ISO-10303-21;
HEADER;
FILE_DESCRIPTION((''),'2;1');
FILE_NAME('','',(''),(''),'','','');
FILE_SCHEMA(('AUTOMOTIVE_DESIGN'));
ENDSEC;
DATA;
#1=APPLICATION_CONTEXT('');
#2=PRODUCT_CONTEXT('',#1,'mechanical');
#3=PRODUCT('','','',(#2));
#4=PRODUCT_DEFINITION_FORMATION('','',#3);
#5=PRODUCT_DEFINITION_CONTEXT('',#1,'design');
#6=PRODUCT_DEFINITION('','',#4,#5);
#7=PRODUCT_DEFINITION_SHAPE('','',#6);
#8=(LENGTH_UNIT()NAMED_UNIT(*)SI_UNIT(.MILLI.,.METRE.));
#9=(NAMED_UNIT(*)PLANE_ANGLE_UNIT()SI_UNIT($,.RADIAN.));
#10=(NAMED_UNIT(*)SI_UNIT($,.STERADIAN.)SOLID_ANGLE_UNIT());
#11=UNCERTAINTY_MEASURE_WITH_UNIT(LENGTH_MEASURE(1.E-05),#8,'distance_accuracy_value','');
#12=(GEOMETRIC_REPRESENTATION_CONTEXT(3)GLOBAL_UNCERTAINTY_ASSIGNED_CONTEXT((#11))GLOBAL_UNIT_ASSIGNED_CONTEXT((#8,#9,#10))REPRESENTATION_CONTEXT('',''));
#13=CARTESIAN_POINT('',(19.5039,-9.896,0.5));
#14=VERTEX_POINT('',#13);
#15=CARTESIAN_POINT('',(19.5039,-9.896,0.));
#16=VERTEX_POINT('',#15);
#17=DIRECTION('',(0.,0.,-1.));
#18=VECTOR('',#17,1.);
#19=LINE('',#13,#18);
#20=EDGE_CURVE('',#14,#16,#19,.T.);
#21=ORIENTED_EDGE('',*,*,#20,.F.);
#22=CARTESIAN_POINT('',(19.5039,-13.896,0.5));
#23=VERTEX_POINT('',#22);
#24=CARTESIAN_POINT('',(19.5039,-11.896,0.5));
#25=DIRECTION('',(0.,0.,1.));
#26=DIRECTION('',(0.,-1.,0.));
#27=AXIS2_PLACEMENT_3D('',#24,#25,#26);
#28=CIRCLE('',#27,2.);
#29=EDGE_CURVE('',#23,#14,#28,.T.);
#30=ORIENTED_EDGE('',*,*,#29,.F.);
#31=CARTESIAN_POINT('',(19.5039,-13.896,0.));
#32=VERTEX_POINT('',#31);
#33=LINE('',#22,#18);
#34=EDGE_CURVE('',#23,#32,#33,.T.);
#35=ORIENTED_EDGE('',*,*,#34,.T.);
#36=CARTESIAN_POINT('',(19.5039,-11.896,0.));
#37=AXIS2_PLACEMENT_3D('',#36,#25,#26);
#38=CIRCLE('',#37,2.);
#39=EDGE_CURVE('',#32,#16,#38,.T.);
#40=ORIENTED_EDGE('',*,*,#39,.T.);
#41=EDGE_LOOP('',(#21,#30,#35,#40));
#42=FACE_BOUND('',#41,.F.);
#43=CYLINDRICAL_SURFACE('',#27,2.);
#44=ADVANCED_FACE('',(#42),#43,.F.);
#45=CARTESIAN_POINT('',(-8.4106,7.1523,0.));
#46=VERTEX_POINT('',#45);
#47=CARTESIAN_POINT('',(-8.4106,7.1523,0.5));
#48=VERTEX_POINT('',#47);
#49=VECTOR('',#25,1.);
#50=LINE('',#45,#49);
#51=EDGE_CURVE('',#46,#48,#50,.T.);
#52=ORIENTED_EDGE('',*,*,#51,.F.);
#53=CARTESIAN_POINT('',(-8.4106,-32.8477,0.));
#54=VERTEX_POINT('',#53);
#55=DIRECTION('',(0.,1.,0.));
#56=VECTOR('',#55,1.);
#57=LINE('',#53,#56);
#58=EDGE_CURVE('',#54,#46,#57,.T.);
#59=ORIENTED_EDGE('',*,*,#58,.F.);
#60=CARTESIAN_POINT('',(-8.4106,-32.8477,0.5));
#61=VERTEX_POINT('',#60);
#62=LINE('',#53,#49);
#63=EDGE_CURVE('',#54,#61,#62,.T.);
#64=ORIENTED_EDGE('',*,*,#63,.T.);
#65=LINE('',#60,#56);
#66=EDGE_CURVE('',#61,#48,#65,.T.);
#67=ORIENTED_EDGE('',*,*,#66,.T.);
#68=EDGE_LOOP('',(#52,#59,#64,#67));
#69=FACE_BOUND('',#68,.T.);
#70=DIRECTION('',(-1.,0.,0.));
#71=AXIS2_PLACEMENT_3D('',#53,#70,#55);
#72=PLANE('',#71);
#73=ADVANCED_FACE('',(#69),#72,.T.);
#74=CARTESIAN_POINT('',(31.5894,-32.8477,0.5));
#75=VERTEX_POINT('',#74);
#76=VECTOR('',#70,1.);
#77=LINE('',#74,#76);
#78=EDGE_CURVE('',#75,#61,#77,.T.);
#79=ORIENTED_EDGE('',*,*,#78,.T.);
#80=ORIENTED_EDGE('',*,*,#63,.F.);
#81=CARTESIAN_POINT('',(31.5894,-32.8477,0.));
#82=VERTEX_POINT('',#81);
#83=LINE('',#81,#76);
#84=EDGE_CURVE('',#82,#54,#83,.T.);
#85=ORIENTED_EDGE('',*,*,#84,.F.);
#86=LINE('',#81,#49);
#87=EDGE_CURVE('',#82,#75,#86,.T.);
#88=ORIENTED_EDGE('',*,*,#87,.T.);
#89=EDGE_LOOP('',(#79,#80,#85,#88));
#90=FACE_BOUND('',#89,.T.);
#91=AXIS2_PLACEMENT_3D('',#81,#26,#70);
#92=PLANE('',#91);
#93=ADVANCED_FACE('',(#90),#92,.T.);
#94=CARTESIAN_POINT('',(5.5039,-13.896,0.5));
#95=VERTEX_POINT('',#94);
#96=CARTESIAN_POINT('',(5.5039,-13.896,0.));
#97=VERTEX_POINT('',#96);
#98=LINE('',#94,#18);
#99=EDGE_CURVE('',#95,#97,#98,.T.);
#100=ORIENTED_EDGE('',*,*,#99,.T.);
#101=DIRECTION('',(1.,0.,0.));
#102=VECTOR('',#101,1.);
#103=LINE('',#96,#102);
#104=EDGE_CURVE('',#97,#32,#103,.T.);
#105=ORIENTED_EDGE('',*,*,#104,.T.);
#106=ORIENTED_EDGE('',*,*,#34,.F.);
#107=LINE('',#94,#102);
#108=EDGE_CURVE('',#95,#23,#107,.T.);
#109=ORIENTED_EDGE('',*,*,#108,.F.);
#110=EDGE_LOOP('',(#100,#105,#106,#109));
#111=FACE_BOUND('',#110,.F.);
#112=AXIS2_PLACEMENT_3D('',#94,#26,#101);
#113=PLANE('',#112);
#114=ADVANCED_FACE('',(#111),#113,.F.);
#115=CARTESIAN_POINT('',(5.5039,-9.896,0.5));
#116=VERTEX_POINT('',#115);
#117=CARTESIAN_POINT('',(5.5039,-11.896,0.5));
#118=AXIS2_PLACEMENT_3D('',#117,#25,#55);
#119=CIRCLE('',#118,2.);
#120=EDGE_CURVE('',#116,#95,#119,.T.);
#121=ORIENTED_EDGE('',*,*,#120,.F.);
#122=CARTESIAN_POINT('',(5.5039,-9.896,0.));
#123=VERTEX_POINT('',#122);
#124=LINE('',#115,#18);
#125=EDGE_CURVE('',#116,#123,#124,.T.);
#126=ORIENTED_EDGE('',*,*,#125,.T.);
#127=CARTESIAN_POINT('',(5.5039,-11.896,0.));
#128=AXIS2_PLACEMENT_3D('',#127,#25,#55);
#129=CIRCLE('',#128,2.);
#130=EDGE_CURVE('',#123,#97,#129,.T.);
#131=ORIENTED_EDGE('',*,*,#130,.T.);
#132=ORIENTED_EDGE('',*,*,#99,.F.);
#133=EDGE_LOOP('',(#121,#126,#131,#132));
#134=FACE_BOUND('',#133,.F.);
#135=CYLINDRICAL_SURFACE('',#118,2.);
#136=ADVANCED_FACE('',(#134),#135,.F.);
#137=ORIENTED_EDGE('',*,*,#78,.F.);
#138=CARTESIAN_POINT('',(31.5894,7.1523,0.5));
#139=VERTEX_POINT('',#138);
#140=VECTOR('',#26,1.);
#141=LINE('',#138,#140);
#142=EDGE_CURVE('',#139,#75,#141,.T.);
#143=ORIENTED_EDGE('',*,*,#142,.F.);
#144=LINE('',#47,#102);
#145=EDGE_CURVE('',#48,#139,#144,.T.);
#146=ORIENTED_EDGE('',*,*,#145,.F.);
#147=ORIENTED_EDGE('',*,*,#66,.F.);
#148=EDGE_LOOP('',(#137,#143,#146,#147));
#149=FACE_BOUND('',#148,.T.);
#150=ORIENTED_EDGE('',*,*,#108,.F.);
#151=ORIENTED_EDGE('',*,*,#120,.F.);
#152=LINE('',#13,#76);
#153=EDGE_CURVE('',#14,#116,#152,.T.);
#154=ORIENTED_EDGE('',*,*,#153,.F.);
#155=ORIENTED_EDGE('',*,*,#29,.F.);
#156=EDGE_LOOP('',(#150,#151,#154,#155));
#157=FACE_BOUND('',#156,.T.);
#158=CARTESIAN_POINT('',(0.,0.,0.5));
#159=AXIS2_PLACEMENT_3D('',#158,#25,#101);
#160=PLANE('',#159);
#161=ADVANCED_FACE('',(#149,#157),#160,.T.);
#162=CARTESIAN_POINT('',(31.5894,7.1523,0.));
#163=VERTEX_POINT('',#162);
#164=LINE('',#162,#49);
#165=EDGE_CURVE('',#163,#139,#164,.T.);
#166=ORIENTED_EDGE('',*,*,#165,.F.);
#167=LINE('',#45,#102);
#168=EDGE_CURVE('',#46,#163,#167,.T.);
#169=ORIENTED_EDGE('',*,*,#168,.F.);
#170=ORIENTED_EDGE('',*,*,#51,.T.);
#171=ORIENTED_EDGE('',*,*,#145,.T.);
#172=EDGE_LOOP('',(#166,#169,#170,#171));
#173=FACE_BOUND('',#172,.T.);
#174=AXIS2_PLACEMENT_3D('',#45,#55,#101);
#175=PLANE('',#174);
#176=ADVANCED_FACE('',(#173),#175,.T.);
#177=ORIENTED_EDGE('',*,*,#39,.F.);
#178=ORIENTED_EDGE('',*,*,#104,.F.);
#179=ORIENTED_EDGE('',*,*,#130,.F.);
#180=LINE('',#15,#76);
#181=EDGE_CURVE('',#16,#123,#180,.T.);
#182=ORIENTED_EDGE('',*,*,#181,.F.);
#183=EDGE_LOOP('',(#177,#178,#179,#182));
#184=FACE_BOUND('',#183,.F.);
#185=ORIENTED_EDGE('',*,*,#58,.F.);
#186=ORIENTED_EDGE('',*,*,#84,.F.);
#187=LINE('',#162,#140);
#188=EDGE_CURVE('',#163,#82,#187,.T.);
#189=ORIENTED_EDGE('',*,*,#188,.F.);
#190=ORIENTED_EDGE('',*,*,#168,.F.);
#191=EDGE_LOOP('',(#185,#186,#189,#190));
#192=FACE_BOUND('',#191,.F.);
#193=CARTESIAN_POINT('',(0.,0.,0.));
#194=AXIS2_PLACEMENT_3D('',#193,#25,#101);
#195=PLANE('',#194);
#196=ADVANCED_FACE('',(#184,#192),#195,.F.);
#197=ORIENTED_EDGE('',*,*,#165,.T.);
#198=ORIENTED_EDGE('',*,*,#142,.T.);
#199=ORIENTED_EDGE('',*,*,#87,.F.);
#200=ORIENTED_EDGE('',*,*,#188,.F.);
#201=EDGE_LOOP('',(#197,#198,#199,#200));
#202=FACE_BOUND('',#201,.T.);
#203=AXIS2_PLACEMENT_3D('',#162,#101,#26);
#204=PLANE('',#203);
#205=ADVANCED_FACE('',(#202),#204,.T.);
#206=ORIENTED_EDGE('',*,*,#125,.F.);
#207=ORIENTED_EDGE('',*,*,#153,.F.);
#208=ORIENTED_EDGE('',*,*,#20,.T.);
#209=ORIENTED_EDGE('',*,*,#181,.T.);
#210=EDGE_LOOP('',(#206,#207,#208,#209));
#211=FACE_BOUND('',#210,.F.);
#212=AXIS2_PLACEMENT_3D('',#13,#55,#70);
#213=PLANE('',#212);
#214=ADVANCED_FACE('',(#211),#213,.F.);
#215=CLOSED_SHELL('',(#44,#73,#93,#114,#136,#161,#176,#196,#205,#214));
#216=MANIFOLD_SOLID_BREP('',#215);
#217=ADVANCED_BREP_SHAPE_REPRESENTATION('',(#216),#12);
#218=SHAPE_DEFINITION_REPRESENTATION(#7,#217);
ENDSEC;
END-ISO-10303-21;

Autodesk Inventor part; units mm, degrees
ref_plane "YZ Plane" through (0, 0, 0) normal (1, 0, 0) x (0, 1, 0)
ref_plane "XZ Plane" through (0, 0, 0) normal (0, 1, 0) x (-1, 0, 0)
ref_plane "XY Plane" through (0, 0, 0) normal (0, 0, 1) x (1, 0, 0)
sketch "Sketch1" plane through (0, 0, 0) normal (0, 0, 1) x (1, 0, 0)
  line L0 (-8.4106, 7.1523) -> (31.5894, 7.1523)
  line L1 (31.5894, 7.1523) -> (31.5894, -32.8477)
  line L2 (31.5894, -32.8477) -> (-8.4106, -32.8477)
  line L3 (-8.4106, -32.8477) -> (-8.4106, 7.1523)
  point P0 (0, 0)
  dimension "d0" = 40
  dimension "d1" = 40
extrude "Plate1" add sketch "Sketch1" along normal blind 0.5
sketch "Sketch2" plane through (0, 0, 0.5) normal (0, 0, 1) x (1, 0, 0)
  line L0 (19.5039, -11.896) -> (5.5039, -11.896) construction
  line L1 (19.5039, -9.896) -> (5.5039, -9.896)
  line L2 (5.5039, -13.896) -> (19.5039, -13.896)
  arc A0 (19.5039, -13.896) -> (19.5039, -9.896) centre (19.5039, -11.896) ccw
  arc A1 (5.5039, -9.896) -> (5.5039, -13.896) centre (5.5039, -11.896) ccw
  point P0 (0, 0)
  point P1 (12.5039, -11.896)
  dimension "LG_C" = 14
  dimension "LT_C" = 4
extrude "Cut1" cut sketch "Sketch2" against normal blind 0.5
equation "\"d5\" = Thickness"
equation "\"d2\" = Thickness"
equation "\"BendRadius\" = Thickness"
equation "\"BendReliefWidth\" = Thickness"
equation "\"BendReliefDepth\" = 0.5 * Thickness"
equation "\"CornerReliefSize\" = 4 * Thickness"
equation "\"MinimumRemnant\" = 2 * Thickness"
equation "\"TransitionRadius\" = BendRadius"
equation "\"JacobiRadiusSize\" = BendRadius"
equation "\"GapSize\" = Thickness"
equation "\"Thickness\" = 0.5"
properties part number "DecupajOvalizat1"
